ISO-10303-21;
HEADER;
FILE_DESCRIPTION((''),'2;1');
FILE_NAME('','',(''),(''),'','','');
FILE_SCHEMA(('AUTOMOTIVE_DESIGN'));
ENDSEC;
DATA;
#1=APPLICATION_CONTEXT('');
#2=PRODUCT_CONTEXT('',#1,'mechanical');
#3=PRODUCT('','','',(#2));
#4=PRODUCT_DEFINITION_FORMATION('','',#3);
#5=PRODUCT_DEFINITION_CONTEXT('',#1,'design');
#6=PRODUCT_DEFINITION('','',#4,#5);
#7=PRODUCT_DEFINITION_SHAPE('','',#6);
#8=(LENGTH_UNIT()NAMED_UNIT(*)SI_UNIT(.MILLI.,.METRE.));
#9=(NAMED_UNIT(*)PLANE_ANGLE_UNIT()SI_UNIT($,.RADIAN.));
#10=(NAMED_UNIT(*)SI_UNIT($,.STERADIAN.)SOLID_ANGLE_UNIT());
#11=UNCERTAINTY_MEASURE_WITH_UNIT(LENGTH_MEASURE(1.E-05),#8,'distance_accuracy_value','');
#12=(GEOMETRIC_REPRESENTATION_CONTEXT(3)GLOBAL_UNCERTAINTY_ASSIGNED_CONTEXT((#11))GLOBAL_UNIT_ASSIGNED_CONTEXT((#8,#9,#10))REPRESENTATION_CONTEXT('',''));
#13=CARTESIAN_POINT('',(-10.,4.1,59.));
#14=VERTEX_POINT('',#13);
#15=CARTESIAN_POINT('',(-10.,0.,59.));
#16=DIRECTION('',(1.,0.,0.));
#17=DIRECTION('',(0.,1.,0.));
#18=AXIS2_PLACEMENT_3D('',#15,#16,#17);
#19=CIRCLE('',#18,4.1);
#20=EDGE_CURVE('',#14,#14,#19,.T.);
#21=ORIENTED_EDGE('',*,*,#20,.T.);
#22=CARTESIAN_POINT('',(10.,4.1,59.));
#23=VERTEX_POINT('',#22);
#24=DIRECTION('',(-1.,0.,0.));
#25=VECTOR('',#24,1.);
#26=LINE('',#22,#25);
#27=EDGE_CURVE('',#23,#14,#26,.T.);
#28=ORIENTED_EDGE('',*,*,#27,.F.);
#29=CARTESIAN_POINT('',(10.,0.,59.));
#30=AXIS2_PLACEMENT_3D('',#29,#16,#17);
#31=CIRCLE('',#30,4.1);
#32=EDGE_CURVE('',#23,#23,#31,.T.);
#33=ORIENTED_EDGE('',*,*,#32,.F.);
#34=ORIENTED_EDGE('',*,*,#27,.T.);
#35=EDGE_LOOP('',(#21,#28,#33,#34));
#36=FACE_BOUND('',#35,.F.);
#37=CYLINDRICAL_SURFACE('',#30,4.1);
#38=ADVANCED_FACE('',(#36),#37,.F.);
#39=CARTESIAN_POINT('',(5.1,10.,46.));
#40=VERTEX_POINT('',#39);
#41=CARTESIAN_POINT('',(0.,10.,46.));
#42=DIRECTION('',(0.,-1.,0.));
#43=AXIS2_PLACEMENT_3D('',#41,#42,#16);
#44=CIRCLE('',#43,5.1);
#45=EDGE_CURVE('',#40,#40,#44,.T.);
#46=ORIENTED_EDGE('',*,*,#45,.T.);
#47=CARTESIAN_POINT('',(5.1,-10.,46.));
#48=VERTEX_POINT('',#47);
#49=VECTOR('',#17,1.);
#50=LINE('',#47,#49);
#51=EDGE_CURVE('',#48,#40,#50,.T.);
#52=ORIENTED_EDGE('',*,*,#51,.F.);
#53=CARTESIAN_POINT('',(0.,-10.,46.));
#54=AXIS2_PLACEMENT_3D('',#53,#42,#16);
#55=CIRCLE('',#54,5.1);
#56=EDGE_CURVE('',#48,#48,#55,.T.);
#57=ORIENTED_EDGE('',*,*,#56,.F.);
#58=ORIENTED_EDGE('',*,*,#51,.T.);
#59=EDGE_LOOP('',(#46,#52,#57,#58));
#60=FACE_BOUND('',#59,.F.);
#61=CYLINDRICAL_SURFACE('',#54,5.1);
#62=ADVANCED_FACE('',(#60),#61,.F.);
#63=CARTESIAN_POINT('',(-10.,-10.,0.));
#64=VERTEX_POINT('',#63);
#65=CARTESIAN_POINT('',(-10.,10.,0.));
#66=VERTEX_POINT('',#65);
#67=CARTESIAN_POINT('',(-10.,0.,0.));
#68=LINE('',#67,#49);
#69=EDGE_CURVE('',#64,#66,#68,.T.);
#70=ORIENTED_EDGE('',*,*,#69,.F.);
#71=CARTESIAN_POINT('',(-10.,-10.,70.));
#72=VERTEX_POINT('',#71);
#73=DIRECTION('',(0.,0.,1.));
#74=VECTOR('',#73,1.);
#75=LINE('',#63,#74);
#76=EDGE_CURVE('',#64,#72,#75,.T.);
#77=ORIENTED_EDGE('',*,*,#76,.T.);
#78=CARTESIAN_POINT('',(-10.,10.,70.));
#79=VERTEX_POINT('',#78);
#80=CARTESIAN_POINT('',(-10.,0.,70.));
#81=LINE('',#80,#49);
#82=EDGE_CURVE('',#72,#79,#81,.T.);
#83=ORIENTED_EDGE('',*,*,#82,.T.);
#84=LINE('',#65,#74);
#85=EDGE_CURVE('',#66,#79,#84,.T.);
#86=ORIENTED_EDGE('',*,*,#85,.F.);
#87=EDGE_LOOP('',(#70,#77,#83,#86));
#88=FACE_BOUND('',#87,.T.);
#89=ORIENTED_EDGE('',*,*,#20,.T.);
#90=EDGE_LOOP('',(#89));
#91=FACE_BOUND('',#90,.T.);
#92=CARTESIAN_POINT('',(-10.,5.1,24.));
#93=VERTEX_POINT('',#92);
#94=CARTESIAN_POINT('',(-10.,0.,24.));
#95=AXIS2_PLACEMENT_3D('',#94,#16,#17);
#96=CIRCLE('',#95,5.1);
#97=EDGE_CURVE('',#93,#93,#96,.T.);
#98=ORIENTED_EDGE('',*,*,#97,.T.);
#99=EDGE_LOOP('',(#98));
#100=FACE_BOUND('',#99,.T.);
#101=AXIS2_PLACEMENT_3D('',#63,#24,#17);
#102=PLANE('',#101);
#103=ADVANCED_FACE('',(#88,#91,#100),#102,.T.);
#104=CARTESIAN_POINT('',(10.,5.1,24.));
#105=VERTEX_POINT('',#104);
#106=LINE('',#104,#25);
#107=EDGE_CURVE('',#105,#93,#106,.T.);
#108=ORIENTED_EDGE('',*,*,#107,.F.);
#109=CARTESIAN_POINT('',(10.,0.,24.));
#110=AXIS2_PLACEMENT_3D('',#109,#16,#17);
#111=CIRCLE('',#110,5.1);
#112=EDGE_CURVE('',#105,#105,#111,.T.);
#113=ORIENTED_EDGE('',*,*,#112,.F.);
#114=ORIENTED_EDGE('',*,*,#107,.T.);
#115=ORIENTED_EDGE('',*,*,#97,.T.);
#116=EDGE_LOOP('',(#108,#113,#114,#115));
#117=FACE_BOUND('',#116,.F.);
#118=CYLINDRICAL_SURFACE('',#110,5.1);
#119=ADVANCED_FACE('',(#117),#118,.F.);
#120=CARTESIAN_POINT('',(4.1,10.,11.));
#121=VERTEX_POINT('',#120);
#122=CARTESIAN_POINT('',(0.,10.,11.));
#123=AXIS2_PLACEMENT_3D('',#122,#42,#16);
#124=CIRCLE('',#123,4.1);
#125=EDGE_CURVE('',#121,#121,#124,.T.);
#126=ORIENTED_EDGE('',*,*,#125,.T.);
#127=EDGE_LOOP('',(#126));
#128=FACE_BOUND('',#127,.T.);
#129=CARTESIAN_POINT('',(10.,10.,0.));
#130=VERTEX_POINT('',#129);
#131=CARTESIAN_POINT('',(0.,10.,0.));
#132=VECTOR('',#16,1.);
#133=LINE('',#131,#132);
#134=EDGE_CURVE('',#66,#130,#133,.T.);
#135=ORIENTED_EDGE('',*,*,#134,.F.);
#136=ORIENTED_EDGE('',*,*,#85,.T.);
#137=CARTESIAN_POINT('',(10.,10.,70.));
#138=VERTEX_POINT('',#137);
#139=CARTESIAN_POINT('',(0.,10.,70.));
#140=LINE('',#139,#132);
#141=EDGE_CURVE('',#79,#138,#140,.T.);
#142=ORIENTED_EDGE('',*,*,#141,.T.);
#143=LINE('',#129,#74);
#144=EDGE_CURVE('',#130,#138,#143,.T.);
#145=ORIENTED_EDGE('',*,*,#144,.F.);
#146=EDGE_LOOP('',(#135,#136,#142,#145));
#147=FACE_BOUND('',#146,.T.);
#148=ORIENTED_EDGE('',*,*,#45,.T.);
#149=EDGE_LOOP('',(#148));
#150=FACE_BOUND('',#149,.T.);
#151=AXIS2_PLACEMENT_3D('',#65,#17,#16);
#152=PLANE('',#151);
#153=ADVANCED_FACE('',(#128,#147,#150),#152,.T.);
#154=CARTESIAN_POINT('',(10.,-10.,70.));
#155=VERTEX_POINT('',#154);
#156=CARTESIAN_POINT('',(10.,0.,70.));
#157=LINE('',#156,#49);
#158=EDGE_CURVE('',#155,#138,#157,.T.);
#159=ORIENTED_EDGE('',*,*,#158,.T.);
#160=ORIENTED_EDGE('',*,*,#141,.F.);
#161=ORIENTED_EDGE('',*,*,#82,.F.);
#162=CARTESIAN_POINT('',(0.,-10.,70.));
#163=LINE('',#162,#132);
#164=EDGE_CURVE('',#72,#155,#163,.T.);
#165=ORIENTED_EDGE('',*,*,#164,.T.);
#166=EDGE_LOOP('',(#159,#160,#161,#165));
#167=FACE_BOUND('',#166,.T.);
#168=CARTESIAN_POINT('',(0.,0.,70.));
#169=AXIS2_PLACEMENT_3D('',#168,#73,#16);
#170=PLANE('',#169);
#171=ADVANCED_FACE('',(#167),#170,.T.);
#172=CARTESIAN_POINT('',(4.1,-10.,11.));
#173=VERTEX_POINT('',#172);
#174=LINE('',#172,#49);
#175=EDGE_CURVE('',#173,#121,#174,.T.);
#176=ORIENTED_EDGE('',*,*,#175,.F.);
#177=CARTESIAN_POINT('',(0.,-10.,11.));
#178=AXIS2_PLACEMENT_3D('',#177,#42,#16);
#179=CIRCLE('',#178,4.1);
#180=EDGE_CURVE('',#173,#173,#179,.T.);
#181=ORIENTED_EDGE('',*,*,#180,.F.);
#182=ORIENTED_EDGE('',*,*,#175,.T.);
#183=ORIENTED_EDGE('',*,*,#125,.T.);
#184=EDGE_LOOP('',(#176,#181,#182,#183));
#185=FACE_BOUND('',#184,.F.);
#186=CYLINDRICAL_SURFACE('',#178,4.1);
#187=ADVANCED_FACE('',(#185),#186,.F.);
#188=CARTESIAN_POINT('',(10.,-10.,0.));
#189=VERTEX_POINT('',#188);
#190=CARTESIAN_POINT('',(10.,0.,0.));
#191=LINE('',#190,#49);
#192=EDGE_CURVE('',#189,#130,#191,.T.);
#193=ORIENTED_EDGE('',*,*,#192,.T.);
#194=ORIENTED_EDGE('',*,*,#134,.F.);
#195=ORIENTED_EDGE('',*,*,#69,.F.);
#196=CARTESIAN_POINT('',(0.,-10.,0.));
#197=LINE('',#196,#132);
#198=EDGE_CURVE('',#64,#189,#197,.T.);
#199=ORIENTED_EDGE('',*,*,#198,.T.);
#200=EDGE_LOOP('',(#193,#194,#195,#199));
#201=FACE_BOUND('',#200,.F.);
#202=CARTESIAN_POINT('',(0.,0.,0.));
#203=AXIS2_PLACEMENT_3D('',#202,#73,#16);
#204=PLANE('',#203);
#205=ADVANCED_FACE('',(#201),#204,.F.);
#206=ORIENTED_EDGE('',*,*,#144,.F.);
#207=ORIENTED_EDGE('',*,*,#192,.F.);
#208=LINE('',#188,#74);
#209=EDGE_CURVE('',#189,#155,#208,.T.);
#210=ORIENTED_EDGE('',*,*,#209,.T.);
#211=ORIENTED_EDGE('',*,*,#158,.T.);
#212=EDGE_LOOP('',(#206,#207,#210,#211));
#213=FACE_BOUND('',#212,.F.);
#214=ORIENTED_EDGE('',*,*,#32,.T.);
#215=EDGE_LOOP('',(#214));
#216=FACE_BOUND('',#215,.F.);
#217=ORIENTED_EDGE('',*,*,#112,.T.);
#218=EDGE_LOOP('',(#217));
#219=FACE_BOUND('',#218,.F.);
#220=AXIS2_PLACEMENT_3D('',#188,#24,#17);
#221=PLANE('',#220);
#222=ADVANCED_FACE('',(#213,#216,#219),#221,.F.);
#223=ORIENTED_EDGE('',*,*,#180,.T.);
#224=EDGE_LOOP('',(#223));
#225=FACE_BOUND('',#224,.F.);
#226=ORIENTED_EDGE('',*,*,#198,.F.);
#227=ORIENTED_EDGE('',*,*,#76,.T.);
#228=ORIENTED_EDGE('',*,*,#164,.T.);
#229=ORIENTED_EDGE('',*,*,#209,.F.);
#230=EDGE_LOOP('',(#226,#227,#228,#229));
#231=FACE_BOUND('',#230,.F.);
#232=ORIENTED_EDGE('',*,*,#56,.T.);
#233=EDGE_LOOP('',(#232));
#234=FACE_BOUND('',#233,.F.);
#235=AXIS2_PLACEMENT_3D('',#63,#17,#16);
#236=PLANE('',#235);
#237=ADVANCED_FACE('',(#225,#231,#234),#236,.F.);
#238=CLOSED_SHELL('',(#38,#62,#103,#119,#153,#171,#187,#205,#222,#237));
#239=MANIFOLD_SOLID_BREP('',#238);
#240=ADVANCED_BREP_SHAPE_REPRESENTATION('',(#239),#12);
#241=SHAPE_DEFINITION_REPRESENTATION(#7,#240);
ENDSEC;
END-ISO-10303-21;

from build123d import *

# Parameters (mm, degrees)
F0_W     = 20
F0_H     = 20
F1_DEPTH = 70
F2_R     = 5.1
F2_R_2   = 4.1
F3_DEPTH = 20.001
F4_R     = 5.1
F4_R_2   = 4.1
F5_DEPTH = 20.001


with BuildPart() as f1:
    # F0 (on Top) → F1 (new body)
    with BuildSketch(Plane.XY):
        Rectangle(F0_W, F0_H)
    extrude(amount=F1_DEPTH)

    # F2 (on face) → F3 (cut, through all)
    with BuildSketch(Plane.XZ.offset(10)):
        with Locations((0, 46)):
            Circle(F2_R)
        with Locations((0, 11)):
            Circle(F2_R_2)
    extrude(amount=-F3_DEPTH, mode=Mode.SUBTRACT)

    # F4 (on face) → F5 (cut, through all)
    with BuildSketch(Plane.YZ.offset(10)):
        with Locations((0, 24)):
            Circle(F4_R)
        with Locations((0, 59)):
            Circle(F4_R_2)
    extrude(amount=-F5_DEPTH, mode=Mode.SUBTRACT)


solid = f1.part
